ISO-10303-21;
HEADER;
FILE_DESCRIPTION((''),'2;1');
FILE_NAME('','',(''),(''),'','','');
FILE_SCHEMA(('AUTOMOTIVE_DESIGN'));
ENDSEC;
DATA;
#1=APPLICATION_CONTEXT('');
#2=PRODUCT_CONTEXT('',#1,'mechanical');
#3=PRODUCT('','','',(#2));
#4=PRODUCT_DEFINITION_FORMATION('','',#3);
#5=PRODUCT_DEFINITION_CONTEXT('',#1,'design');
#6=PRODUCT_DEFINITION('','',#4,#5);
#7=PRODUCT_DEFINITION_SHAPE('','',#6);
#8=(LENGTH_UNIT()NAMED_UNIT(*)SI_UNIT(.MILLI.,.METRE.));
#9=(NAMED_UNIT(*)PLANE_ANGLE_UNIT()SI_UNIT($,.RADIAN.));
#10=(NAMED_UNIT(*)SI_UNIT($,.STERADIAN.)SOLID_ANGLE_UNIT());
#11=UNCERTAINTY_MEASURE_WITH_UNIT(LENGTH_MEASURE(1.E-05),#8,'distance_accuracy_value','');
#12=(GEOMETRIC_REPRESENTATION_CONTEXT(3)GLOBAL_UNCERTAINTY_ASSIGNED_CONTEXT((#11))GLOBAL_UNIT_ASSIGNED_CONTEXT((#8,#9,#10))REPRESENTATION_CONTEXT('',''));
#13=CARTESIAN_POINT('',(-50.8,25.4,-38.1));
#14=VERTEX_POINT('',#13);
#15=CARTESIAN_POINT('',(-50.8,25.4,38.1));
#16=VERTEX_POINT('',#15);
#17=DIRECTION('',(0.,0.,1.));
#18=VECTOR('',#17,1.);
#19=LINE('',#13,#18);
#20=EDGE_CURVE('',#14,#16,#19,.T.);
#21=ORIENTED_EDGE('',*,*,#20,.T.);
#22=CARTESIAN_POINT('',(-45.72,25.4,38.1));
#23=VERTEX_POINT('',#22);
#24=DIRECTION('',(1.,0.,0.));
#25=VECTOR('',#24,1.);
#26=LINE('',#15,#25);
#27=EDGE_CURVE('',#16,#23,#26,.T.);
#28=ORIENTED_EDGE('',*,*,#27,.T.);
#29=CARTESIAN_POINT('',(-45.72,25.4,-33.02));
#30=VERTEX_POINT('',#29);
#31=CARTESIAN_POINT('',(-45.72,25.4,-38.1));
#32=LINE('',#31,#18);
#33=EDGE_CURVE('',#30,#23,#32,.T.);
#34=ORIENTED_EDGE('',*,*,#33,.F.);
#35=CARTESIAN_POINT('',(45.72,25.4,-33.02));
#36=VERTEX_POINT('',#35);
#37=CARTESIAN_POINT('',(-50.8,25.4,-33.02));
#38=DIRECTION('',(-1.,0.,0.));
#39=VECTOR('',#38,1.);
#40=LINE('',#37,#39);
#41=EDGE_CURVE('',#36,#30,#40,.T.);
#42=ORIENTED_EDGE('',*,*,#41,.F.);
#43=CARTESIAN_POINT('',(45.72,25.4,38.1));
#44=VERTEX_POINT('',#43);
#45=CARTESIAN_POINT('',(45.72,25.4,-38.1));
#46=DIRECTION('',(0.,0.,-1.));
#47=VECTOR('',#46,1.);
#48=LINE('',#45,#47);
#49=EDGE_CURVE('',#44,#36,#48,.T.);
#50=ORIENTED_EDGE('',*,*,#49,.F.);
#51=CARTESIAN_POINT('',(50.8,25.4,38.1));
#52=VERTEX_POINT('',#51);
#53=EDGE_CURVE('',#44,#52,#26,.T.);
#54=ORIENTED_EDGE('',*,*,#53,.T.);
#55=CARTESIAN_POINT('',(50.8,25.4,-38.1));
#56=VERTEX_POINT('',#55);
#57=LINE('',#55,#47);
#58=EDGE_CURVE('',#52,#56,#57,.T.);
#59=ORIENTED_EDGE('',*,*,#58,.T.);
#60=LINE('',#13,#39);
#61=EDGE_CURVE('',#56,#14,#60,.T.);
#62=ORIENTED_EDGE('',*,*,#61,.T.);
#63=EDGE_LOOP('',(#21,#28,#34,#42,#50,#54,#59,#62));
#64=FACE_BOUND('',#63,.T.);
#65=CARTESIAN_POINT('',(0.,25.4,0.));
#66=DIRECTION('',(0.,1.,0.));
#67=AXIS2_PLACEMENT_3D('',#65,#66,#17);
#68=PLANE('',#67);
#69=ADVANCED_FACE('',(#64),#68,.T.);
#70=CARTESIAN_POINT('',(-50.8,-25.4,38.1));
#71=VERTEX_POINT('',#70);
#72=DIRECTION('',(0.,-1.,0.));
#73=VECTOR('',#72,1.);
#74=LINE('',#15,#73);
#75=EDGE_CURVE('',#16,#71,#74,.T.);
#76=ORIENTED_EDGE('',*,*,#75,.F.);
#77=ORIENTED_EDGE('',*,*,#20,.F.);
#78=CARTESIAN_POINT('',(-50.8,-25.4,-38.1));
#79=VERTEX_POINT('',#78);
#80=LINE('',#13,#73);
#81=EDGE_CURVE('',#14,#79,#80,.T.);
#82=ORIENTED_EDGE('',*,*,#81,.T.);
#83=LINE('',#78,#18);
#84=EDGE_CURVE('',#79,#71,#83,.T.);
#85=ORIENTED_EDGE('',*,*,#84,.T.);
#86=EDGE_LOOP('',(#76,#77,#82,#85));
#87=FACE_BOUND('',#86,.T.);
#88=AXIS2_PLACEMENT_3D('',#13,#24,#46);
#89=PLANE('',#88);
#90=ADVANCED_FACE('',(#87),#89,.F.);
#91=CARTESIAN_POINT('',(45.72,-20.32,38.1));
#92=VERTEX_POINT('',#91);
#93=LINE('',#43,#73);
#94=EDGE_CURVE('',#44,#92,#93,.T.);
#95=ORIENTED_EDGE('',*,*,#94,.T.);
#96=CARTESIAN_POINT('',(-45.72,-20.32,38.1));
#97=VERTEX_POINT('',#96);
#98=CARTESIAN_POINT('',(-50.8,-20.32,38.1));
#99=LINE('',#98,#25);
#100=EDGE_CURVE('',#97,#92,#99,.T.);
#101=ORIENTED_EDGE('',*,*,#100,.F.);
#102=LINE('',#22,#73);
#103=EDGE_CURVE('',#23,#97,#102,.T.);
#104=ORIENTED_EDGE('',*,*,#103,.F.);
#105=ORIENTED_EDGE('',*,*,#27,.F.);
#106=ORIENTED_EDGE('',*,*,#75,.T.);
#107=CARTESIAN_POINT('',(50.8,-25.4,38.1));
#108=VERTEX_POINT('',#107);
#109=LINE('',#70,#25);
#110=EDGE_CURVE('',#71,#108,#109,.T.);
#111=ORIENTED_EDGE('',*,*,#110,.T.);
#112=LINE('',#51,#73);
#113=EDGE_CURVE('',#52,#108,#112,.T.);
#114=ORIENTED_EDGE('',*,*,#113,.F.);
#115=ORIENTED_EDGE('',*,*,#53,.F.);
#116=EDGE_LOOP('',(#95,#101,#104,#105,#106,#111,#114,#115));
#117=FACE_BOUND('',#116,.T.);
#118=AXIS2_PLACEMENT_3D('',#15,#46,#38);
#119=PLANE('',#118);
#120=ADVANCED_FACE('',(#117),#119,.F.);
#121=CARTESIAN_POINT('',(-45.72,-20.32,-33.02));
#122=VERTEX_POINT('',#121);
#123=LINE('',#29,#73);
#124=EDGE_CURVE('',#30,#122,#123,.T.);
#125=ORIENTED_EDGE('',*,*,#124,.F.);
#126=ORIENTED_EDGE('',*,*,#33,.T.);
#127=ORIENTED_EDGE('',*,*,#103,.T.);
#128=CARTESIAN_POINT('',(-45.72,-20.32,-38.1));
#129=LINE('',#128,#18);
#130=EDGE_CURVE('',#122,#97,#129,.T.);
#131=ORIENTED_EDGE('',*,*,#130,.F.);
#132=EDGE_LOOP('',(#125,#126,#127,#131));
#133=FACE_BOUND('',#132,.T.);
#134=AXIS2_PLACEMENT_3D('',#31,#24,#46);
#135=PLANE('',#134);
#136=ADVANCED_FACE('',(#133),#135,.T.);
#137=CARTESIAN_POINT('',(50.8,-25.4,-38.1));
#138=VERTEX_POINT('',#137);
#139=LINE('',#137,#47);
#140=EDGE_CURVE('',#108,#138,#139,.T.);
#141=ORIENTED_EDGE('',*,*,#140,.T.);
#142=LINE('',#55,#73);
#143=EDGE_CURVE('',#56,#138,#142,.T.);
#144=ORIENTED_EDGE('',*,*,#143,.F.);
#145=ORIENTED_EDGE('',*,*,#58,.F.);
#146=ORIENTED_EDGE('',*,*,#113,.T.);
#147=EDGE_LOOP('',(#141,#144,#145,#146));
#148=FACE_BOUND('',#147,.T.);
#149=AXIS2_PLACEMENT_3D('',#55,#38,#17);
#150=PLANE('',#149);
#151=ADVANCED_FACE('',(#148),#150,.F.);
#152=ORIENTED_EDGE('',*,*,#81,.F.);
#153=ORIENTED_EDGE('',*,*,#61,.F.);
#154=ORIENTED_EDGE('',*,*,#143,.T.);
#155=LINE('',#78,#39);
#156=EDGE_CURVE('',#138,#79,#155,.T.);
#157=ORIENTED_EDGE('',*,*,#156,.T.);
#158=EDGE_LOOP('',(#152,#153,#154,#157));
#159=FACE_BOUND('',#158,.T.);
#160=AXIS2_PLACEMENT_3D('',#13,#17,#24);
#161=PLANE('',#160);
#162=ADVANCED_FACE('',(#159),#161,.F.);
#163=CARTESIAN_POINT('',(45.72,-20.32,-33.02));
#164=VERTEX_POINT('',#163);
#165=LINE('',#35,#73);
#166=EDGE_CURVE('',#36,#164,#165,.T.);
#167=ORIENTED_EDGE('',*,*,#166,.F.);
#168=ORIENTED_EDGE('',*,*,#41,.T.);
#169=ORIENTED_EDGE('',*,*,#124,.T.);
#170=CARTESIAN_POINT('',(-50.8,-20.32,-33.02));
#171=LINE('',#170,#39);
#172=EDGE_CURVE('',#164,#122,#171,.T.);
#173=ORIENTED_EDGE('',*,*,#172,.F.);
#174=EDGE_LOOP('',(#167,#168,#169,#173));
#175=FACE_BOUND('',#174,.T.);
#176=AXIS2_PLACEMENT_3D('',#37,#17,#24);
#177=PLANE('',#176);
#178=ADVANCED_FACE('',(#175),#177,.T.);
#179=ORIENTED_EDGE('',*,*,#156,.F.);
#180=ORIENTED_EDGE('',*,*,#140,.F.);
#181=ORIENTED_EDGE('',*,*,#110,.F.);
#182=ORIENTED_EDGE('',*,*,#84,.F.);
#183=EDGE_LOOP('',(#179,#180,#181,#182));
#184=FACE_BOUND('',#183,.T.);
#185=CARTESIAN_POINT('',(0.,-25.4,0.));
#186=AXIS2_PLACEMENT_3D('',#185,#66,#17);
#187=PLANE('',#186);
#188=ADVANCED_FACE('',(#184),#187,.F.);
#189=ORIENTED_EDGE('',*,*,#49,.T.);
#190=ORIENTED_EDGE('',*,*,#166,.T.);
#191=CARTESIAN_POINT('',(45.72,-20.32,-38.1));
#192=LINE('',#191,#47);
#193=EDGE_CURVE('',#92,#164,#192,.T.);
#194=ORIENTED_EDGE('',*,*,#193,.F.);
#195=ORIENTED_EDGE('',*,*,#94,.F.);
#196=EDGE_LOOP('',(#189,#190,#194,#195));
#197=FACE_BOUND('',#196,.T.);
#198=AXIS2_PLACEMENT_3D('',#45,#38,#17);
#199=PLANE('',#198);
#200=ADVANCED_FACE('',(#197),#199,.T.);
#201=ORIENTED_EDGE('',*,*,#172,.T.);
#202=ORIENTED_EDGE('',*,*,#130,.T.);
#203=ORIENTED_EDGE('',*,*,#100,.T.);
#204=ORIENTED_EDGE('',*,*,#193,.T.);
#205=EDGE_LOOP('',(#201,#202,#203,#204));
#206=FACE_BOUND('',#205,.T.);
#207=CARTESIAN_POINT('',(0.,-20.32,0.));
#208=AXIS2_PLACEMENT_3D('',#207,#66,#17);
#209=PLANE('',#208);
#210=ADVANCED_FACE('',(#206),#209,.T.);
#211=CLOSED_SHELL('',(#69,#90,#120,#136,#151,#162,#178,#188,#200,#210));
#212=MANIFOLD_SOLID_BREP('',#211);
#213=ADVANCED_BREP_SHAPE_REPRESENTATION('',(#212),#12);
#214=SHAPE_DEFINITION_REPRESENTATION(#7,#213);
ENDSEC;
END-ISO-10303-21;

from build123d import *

# Parameters (mm, degrees)
SKETCH1_W           = 101.6
SKETCH1_H           = 76.2
BOSS_EXTRUDE1_DEPTH = 25.4
SHELL1_T            = -5.08


with BuildPart() as part:
    # Sketch1 → Boss-Extrude1 (new, symmetric)
    with BuildSketch(Plane(origin=(0, 0, 0), x_dir=(1, 0, 0), z_dir=(0, 1, 0))):
        Rectangle(SKETCH1_W, SKETCH1_H)
    extrude(amount=BOSS_EXTRUDE1_DEPTH, both=True)

    # Shell1
    shell1_openings = [part.faces().sort_by_distance(p)[0] for p in [
        (0, 25.4, 0),
        (0, 0, 38.1),
    ]]
    offset(amount=SHELL1_T, openings=shell1_openings, kind=Kind.INTERSECTION)


solid = part.part
